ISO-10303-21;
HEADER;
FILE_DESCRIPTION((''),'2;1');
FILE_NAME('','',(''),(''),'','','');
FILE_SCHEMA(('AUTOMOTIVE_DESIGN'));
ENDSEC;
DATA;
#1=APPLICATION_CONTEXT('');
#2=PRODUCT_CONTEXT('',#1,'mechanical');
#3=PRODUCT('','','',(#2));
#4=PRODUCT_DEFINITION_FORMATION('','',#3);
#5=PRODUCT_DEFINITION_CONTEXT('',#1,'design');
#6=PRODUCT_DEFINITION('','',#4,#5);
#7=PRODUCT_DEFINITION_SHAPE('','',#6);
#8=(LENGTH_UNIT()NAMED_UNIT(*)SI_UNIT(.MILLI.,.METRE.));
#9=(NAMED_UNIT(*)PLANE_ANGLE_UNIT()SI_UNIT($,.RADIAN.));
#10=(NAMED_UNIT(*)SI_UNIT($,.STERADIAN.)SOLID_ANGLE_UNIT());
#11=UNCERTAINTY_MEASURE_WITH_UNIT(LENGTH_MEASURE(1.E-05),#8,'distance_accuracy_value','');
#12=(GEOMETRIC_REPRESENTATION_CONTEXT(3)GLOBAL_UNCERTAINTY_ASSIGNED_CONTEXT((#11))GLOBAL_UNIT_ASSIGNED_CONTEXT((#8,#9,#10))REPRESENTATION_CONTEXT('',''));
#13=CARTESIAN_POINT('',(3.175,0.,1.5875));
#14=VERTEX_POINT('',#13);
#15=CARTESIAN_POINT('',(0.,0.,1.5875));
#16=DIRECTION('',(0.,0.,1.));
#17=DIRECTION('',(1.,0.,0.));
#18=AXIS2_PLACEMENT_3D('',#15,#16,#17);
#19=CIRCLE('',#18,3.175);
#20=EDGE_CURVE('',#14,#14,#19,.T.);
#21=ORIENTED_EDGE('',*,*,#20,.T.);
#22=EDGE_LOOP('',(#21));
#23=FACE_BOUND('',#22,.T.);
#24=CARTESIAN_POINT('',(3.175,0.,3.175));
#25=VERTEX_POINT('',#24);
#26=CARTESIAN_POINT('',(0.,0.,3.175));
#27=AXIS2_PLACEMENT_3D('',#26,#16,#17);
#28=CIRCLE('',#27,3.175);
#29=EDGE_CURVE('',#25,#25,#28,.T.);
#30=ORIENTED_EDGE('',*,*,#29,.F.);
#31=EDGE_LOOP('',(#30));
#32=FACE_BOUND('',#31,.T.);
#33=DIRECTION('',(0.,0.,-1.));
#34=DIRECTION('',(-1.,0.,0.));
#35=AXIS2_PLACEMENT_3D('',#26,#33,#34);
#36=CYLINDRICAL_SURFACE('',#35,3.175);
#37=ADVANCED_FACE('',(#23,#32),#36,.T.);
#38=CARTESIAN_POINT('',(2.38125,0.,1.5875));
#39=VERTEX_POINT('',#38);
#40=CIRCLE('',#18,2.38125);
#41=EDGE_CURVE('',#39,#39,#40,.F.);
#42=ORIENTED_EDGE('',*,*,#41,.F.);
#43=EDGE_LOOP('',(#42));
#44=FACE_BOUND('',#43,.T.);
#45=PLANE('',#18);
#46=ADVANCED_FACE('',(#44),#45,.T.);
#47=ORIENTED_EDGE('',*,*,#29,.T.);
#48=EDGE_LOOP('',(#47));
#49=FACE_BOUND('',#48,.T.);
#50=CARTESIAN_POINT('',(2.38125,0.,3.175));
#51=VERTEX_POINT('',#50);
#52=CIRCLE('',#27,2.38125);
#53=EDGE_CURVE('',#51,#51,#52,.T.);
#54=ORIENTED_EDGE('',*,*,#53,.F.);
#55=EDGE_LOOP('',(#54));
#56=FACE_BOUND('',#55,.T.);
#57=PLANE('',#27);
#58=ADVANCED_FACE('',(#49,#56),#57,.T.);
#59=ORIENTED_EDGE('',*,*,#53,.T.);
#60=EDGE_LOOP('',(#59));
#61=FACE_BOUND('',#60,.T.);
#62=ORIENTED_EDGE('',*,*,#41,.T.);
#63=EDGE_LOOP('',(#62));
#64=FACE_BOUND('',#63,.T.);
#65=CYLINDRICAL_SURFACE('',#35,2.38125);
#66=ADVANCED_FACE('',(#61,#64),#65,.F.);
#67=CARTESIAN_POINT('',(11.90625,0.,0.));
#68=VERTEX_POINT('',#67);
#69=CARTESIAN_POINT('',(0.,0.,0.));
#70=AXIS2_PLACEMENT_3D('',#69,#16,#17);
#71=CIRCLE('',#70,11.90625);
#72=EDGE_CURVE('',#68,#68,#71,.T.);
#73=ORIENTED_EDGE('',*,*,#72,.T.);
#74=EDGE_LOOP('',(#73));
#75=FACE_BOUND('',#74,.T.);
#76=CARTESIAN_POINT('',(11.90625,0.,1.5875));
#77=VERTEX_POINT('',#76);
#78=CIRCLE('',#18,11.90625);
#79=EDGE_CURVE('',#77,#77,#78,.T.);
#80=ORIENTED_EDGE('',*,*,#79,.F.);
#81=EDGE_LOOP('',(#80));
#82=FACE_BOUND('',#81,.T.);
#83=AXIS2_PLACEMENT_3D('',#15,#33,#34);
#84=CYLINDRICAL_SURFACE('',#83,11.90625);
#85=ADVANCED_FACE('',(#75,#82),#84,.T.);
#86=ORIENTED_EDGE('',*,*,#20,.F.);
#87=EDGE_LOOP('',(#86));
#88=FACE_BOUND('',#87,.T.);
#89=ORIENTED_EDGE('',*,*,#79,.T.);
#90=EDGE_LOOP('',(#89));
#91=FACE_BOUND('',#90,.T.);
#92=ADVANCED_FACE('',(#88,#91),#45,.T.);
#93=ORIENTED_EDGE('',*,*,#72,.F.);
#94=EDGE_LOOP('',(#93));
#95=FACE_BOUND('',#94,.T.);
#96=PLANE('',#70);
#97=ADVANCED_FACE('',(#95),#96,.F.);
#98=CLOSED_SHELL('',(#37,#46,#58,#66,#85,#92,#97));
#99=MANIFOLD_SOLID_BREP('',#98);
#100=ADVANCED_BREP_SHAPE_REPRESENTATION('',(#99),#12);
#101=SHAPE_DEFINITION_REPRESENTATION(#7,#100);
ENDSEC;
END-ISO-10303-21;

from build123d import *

# Parameters (mm, degrees)
SKETCH1_R           = 11.90625
BOSS_EXTRUDE1_DEPTH = 1.5875
SKETCH2_R           = 3.175
SKETCH2_R_2         = 2.38125
BOSS_EXTRUDE2_DEPTH = 1.5875


with BuildPart() as part:
    # Sketch1 → Boss-Extrude1 (new body)
    with BuildSketch(Plane.XY):
        Circle(SKETCH1_R)
    extrude(amount=BOSS_EXTRUDE1_DEPTH)

    # Sketch2 → Boss-Extrude2 (add)
    with BuildSketch(Plane.XY.offset(1.5875)):
        Circle(SKETCH2_R)
        Circle(SKETCH2_R_2, mode=Mode.SUBTRACT)
    extrude(amount=BOSS_EXTRUDE2_DEPTH)


solid = part.part
